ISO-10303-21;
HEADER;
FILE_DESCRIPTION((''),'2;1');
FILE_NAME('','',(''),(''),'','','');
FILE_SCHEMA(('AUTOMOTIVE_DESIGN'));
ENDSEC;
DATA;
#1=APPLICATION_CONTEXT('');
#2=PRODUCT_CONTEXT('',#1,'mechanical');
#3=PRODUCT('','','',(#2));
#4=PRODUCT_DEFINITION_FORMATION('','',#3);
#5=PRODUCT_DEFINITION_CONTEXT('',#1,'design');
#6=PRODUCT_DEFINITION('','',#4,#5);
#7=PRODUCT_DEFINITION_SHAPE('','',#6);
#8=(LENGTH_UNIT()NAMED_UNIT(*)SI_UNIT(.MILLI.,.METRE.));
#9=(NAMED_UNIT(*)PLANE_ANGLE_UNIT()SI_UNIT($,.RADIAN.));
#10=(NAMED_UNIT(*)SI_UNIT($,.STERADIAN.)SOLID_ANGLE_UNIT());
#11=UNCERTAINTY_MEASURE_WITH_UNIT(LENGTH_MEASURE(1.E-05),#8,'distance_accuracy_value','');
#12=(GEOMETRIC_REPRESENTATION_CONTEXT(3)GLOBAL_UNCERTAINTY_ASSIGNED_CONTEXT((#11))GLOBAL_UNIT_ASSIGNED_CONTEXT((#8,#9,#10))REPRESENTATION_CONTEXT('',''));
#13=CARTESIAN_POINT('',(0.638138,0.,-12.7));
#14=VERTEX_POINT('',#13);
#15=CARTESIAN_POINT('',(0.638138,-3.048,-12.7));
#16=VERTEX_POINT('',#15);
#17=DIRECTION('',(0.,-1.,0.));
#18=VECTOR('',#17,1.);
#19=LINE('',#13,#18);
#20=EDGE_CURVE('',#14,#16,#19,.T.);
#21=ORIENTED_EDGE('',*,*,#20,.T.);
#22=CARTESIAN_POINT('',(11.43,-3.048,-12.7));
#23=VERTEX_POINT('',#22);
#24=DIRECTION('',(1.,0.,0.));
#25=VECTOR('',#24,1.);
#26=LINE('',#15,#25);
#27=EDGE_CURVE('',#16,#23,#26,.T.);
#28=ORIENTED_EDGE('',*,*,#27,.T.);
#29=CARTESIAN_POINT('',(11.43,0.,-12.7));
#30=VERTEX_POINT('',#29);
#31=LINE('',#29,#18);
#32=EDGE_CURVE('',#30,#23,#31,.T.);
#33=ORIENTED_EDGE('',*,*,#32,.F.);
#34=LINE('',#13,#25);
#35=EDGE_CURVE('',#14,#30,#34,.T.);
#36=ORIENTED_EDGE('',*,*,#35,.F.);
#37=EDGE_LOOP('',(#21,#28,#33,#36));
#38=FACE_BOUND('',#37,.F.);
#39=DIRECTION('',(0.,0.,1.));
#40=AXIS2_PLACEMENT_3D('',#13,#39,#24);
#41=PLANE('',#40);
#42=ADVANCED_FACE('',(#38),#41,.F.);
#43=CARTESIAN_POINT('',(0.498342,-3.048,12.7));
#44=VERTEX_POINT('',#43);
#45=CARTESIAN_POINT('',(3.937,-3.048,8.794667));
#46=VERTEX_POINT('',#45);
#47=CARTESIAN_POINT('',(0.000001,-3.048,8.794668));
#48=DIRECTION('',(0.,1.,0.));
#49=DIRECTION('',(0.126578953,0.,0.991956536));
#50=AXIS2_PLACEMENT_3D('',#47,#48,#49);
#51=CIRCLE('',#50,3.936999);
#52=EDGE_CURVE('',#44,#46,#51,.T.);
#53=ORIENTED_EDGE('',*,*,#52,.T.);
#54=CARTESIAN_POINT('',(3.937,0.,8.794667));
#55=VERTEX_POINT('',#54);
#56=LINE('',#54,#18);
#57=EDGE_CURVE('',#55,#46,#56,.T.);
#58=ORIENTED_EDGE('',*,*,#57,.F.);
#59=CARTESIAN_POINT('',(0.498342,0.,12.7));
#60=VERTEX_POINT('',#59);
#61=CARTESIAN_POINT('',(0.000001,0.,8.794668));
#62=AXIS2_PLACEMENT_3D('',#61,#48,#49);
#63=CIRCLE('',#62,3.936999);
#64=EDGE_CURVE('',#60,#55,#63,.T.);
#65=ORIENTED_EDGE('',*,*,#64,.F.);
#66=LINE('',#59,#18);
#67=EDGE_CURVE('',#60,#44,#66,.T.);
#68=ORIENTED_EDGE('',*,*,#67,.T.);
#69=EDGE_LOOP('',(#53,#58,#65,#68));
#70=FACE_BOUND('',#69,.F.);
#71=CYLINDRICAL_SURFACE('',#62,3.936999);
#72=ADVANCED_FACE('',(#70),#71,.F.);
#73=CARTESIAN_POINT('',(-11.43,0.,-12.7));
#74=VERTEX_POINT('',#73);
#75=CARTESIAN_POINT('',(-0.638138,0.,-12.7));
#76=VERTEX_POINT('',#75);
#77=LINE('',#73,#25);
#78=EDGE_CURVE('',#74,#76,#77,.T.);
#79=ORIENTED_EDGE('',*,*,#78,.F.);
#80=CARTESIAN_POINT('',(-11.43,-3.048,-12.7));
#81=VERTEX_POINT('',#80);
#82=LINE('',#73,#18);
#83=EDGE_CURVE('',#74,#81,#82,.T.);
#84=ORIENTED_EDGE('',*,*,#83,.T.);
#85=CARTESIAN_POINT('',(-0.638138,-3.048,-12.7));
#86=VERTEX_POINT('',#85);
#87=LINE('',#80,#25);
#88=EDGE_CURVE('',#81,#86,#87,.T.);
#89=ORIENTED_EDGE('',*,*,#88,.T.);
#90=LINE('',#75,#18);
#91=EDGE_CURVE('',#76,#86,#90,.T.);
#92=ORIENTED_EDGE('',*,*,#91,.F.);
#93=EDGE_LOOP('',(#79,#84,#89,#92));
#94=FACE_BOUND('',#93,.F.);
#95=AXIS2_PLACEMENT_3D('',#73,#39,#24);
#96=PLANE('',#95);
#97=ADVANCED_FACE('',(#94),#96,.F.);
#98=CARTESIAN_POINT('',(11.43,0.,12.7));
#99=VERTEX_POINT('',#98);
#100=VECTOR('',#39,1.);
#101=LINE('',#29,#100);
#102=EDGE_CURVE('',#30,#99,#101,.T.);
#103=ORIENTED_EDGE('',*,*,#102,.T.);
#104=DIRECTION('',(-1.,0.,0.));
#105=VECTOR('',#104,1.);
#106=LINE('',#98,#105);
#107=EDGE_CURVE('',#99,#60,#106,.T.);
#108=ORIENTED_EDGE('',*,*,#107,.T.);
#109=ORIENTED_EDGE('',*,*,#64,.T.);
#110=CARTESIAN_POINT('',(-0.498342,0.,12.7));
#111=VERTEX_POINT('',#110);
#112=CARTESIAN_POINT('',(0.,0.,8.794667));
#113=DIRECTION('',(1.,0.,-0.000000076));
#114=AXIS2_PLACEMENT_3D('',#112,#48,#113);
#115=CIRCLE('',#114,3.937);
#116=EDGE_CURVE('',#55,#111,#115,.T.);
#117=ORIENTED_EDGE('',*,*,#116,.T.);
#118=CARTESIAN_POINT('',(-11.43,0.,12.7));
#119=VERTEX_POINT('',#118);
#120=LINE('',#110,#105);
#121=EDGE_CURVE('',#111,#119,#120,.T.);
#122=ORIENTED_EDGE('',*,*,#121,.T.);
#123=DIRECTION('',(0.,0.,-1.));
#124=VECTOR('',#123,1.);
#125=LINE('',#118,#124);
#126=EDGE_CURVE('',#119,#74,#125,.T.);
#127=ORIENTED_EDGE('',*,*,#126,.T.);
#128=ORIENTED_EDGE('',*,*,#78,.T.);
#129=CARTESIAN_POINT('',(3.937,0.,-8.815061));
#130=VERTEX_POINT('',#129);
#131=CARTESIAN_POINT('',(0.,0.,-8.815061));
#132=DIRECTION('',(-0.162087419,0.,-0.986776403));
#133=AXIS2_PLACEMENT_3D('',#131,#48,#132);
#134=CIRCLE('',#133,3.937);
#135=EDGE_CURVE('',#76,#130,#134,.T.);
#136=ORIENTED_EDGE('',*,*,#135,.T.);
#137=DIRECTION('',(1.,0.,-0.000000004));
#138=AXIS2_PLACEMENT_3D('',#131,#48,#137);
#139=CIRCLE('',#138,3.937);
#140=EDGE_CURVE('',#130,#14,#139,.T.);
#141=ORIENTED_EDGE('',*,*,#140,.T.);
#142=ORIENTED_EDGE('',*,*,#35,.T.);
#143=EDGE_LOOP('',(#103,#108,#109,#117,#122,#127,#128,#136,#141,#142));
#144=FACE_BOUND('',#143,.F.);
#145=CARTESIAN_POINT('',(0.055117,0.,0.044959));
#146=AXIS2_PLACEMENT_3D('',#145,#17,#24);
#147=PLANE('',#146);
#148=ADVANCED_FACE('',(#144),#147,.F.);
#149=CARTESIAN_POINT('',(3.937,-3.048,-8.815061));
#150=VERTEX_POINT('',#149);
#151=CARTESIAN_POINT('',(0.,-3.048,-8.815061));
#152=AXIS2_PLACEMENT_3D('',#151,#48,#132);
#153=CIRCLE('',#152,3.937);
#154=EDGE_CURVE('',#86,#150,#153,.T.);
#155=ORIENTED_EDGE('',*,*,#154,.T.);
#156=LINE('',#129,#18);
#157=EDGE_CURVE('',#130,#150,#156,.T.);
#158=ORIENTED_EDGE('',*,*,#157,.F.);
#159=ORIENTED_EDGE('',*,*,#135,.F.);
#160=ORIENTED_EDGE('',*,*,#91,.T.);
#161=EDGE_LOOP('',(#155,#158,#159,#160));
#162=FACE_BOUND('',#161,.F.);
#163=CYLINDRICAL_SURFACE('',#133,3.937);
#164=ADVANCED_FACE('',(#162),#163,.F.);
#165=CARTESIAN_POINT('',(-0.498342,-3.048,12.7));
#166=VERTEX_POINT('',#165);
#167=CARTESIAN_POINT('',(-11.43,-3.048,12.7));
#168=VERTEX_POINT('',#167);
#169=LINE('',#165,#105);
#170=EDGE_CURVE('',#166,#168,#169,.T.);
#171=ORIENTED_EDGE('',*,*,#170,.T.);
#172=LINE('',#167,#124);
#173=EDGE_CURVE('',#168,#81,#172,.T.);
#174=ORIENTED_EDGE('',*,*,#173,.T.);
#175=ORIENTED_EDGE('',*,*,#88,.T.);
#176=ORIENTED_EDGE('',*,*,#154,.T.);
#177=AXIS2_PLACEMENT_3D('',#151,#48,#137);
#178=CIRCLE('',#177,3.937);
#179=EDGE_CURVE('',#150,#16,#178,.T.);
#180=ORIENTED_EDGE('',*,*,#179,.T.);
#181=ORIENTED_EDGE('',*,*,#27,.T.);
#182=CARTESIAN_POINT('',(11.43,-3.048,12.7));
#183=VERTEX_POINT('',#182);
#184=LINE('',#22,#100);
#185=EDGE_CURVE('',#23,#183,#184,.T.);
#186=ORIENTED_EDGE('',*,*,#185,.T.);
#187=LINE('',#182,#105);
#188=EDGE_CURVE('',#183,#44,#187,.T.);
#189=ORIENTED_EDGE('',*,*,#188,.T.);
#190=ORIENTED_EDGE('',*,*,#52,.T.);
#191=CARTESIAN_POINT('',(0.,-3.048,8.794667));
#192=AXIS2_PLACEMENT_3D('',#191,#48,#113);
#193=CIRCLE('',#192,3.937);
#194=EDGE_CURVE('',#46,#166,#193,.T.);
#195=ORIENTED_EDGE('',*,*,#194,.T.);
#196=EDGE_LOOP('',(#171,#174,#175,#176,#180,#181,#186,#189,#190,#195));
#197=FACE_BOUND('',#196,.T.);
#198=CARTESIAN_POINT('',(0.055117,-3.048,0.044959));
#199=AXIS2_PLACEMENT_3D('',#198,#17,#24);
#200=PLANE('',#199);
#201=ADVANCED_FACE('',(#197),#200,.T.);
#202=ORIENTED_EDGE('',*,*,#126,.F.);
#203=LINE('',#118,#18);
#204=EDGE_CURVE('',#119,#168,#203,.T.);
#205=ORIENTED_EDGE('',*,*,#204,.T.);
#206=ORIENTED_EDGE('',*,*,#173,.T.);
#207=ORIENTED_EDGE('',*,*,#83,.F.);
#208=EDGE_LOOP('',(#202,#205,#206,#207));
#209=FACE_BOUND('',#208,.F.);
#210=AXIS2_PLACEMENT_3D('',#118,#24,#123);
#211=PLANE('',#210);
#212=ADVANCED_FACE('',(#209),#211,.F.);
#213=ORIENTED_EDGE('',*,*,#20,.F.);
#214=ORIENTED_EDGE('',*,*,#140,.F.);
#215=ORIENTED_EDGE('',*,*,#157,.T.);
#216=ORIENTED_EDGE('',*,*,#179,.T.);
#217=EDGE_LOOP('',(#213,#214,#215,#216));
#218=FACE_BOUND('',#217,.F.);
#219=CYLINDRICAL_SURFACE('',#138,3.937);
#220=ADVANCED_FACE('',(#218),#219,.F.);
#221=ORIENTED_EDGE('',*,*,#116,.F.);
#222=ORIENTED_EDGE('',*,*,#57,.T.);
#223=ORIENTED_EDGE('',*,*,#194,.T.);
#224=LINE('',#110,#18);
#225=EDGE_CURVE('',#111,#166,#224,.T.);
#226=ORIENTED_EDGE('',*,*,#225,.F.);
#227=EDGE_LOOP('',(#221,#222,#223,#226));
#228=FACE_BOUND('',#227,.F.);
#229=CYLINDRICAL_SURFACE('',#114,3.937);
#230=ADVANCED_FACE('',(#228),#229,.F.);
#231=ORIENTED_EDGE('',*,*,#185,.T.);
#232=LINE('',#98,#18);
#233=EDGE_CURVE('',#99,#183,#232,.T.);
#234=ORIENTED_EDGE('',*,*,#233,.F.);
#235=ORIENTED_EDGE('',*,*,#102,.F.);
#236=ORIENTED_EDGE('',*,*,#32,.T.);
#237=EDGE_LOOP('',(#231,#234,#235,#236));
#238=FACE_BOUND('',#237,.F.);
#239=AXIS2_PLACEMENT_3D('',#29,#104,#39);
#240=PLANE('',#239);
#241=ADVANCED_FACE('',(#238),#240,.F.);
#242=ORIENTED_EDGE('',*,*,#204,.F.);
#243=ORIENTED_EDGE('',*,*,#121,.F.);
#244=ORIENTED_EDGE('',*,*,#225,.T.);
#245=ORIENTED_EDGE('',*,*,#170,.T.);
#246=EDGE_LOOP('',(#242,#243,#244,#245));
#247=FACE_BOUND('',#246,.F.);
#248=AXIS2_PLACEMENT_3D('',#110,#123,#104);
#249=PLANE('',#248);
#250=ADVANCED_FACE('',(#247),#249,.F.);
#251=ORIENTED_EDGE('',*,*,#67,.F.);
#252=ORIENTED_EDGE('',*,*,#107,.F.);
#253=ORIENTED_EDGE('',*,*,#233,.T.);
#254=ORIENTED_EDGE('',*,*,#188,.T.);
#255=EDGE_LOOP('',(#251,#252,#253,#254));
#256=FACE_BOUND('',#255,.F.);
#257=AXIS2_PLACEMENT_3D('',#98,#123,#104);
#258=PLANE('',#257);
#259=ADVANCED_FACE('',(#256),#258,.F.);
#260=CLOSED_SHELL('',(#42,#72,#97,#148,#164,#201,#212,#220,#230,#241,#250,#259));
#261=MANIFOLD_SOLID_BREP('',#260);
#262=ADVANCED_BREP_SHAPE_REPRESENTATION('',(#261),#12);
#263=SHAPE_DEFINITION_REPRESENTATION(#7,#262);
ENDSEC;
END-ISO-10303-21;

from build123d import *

# Parameters (mm, degrees)
F1_DEPTH = 3.048


with BuildPart() as f1:
    # F0 (on Front) → F1 (new body)
    with BuildSketch(Plane.XZ):
        with BuildLine():
            Line((11.43, -12.7), (11.43, 12.7))
            Line((11.43, 12.7), (0.498342, 12.7))
            ThreePointArc((0.498342, 12.7), (2.954822, 11.396397), (3.937, 8.794667))
            ThreePointArc((3.937, 8.794667), (-2.60173, 5.839846), (-0.498342, 12.7))
            Line((-0.498342, 12.7), (-11.43, 12.7))
            Line((-11.43, 12.7), (-11.43, -12.7))
            Line((-11.43, -12.7), (-0.638138, -12.7))
            ThreePointArc((-0.638138, -12.7), (-2.548295, -5.814035), (3.937, -8.815061))
            ThreePointArc((3.937, -8.815061), (3.001026, -11.363357), (0.638138, -12.7))
            Line((0.638138, -12.7), (11.43, -12.7))
        make_face()
    extrude(amount=F1_DEPTH)


solid = f1.part
